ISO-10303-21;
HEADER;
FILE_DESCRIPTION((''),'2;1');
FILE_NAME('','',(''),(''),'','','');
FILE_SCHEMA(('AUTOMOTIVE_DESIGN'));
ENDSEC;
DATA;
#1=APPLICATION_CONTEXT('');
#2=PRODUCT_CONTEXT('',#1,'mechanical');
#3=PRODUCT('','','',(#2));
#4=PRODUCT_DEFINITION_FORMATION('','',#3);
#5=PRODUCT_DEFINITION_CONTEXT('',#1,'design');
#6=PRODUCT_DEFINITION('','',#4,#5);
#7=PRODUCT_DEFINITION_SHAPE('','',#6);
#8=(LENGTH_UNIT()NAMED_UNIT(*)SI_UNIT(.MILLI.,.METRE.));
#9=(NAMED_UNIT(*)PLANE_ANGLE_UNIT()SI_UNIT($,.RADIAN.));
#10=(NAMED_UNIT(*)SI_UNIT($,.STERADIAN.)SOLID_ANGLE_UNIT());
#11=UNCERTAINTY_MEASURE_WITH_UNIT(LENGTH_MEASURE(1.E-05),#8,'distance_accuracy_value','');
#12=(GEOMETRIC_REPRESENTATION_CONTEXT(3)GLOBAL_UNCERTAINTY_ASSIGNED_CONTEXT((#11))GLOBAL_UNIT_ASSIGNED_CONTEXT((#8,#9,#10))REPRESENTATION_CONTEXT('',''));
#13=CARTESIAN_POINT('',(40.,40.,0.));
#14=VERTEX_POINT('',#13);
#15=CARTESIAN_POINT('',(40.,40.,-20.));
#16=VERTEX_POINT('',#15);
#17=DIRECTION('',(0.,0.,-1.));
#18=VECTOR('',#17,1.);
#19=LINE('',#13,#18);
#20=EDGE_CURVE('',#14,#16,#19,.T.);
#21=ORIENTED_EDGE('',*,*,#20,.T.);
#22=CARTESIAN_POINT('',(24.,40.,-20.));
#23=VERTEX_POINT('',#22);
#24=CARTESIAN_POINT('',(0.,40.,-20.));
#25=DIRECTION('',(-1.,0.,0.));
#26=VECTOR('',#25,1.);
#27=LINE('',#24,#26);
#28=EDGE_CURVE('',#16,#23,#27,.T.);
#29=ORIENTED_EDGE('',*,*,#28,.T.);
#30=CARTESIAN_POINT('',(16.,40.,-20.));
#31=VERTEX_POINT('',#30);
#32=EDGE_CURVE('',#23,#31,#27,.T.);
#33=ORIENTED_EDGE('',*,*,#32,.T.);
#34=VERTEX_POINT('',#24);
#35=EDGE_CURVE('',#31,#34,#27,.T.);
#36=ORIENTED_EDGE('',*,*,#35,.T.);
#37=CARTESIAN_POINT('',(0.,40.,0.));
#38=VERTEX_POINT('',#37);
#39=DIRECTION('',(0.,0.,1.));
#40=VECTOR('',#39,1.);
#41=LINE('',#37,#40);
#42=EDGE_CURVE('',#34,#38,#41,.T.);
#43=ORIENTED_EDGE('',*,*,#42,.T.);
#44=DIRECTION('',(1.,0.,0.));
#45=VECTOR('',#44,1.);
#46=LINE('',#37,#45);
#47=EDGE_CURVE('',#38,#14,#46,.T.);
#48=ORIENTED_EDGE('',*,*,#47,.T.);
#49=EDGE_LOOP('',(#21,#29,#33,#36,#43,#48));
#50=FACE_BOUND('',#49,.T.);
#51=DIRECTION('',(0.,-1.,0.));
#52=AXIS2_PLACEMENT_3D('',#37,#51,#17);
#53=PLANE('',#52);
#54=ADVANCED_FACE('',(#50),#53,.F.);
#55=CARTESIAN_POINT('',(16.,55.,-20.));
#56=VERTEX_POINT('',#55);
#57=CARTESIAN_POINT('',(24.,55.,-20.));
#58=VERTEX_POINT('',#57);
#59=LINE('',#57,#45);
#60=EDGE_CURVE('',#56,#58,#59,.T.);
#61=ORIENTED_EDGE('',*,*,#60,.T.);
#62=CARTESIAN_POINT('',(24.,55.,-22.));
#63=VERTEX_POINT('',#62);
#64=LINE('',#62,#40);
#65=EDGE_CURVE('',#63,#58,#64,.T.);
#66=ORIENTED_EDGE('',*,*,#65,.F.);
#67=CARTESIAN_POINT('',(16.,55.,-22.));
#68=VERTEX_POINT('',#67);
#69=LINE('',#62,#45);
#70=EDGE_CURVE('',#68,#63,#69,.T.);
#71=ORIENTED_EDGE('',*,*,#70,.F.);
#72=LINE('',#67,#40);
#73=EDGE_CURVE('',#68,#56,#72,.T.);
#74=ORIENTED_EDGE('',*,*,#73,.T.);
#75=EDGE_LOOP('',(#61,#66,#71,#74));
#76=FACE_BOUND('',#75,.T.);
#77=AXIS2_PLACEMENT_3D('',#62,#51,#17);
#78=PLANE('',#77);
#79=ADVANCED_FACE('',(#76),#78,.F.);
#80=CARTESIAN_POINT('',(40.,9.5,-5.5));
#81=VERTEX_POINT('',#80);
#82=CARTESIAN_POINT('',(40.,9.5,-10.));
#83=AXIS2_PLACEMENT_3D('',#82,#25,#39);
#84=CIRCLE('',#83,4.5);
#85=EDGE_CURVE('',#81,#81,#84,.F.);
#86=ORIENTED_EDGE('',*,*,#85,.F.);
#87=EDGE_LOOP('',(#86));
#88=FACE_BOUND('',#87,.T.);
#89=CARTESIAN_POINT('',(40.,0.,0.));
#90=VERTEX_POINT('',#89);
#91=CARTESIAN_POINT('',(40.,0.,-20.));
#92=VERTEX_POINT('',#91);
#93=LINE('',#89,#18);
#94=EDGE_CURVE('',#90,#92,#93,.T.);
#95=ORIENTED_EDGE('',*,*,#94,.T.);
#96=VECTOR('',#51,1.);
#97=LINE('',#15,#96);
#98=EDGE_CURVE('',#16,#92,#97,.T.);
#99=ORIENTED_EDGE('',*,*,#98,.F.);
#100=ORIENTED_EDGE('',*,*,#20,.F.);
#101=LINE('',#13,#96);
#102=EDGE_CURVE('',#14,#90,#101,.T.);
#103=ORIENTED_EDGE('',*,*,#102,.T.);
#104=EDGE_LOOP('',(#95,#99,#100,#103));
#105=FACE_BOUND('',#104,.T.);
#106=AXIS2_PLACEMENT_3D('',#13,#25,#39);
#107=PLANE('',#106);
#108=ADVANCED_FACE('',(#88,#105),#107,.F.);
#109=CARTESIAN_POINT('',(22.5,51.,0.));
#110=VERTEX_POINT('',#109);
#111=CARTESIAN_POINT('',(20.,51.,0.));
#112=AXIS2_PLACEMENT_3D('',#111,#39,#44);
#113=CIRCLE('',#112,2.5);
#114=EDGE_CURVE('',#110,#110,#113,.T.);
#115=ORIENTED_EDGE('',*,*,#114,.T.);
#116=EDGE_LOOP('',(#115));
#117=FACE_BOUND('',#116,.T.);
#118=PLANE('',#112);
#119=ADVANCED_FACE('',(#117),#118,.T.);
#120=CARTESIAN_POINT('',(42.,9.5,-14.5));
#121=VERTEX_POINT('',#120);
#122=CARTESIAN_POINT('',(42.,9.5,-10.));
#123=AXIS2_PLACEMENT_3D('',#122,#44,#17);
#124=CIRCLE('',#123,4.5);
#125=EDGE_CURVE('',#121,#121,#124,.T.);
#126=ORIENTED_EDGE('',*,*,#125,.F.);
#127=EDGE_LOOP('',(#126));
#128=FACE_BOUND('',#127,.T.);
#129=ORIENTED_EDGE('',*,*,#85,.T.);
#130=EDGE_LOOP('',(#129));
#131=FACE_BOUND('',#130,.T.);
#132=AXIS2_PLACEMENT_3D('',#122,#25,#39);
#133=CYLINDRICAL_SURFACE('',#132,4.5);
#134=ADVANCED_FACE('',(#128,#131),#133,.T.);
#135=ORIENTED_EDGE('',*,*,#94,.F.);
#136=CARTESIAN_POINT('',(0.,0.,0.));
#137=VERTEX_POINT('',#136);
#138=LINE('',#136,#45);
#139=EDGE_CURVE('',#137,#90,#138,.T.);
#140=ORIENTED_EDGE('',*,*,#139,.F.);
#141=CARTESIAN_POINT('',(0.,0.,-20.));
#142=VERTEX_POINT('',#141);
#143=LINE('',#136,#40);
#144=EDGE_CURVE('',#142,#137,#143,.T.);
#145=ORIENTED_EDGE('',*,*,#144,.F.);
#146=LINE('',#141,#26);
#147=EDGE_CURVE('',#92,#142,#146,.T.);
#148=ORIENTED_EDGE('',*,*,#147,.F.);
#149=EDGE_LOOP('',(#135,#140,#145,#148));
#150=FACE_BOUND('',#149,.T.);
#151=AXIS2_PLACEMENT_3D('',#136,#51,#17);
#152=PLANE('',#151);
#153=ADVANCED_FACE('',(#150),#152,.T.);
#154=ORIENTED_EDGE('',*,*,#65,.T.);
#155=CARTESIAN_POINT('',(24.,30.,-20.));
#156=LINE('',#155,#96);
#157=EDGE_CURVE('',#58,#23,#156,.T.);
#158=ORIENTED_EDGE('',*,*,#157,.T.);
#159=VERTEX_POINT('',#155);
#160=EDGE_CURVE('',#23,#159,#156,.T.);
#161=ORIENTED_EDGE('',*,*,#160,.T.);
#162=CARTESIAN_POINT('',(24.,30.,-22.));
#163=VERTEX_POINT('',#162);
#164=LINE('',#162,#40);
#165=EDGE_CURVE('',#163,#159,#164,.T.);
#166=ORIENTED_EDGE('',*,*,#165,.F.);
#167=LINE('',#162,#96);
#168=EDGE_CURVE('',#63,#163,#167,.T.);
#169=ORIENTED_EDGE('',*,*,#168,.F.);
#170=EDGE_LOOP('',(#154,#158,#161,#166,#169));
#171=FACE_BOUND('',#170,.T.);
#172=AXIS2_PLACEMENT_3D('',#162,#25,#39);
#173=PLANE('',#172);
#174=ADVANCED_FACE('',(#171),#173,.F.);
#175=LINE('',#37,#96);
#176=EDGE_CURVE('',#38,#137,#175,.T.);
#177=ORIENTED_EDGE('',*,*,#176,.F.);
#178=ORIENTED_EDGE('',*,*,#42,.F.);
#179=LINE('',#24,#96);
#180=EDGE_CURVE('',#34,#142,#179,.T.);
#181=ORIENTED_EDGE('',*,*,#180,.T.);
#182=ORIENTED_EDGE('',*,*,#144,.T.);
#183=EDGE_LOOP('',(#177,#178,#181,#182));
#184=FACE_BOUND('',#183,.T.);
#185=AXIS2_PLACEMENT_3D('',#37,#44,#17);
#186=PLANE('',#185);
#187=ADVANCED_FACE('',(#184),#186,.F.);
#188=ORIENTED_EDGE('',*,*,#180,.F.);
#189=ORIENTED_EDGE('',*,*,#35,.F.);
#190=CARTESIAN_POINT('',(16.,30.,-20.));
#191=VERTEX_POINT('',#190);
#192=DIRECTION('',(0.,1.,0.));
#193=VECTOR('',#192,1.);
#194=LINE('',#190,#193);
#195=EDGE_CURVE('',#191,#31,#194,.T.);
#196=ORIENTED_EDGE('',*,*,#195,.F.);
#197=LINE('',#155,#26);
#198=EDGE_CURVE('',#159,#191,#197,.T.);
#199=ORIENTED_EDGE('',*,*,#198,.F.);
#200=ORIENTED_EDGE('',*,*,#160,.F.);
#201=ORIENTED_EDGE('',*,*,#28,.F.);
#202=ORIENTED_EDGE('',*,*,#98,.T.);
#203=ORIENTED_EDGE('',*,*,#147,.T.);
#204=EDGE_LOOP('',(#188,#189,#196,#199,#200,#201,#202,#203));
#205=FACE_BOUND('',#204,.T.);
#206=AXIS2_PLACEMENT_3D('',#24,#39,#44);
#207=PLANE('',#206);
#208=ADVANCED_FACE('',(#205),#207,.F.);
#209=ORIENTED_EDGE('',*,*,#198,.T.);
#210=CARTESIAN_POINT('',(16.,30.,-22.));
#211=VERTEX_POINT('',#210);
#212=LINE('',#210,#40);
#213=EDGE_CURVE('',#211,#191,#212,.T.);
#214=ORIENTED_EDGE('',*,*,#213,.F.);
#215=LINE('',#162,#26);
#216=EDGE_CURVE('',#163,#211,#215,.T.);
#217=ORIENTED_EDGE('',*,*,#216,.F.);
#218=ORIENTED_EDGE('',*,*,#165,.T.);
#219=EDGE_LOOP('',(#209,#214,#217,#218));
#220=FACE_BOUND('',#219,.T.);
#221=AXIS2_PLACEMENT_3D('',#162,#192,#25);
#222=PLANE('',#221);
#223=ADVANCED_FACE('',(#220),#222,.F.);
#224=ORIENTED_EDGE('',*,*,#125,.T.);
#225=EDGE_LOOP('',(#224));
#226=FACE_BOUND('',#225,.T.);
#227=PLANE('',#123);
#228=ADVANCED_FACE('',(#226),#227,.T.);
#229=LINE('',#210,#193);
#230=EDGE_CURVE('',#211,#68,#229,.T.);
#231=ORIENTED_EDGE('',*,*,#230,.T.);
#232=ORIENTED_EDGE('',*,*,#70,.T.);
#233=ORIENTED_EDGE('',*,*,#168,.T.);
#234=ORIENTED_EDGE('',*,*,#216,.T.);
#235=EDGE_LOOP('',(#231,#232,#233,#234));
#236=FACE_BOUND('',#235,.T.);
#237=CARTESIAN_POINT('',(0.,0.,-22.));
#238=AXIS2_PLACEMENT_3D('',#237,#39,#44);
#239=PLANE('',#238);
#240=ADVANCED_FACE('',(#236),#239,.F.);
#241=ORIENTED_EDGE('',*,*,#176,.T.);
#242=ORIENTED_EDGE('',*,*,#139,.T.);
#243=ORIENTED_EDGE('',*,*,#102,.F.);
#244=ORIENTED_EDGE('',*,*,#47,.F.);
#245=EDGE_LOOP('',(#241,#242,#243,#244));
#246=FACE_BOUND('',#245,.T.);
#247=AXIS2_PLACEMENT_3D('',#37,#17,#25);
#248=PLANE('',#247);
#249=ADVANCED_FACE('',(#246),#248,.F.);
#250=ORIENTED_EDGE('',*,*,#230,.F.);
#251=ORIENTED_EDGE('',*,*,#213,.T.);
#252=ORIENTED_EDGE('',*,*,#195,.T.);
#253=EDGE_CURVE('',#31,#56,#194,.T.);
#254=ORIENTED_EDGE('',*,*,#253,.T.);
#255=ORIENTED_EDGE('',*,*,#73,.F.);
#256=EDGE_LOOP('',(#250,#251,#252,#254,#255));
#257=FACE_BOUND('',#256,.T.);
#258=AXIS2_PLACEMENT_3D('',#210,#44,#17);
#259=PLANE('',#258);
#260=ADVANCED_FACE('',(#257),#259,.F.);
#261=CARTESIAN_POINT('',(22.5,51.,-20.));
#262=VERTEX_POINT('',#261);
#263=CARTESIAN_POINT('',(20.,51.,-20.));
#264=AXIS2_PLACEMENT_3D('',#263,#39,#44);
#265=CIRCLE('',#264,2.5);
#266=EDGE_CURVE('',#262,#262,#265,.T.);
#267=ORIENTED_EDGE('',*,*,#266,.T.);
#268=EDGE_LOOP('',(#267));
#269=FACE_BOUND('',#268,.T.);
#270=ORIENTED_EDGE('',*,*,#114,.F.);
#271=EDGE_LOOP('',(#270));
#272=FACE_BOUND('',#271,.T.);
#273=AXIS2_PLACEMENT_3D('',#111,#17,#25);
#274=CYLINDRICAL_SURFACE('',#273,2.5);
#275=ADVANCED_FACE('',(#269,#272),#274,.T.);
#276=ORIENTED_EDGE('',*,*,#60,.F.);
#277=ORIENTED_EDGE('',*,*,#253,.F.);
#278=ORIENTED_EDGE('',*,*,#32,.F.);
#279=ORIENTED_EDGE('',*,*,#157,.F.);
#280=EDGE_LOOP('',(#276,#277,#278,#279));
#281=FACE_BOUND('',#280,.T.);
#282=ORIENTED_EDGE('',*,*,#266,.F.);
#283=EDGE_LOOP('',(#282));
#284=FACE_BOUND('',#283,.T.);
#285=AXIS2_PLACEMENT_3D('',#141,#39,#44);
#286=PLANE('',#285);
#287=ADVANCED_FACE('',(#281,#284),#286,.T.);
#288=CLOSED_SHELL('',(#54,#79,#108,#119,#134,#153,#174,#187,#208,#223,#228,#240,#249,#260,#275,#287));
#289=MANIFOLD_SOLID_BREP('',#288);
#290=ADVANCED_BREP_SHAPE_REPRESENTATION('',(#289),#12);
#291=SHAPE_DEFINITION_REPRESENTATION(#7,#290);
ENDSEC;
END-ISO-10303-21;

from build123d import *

# Parameters (mm, degrees)
ESQUISSE1_W        = 40
ESQUISSE1_H        = 20
BOSS_EXTRU_1_DEPTH = 40
ESQUISSE2_R        = 4.5
BOSS_EXTRU_2_DEPTH = 2
ESQUISSE3_W        = 8
ESQUISSE3_H        = 25
BOSS_EXTRU_3_DEPTH = 2
ESQUISSE4_R        = 2.5
BOSS_EXTRU_4_DEPTH = 20


with BuildPart() as part:
    # Esquisse1 → Boss.-Extru.1 (new body)
    with BuildSketch(Plane(origin=(0, 0, 0), x_dir=(1, 0, 0), z_dir=(0, 1, 0))):
        with Locations((20, 10)):
            Rectangle(ESQUISSE1_W, ESQUISSE1_H)
    extrude(amount=BOSS_EXTRU_1_DEPTH)

    # Esquisse2 → Boss.-Extru.2 (add)
    with BuildSketch(Plane(origin=(40, 0, 0), x_dir=(0, 0, -1), z_dir=(1, 0, 0))):
        with Locations(Location((10, 9.5, 0), (0, 0, 180))):
            Circle(ESQUISSE2_R)
    extrude(amount=BOSS_EXTRU_2_DEPTH)

    # Esquisse3 → Boss.-Extru.3 (add)
    with BuildSketch(Plane(origin=(0, 0, -20), x_dir=(-1, 0, 0), z_dir=(0, 0, -1))):
        with Locations((-20, 42.5)):
            Rectangle(ESQUISSE3_W, ESQUISSE3_H)
    extrude(amount=BOSS_EXTRU_3_DEPTH)

    # Esquisse4 → Boss.-Extru.4 (add)
    with BuildSketch(Plane.XY.offset(-20)):
        with Locations((20, 51)):
            Circle(ESQUISSE4_R)
    extrude(amount=BOSS_EXTRU_4_DEPTH)


solid = part.part
